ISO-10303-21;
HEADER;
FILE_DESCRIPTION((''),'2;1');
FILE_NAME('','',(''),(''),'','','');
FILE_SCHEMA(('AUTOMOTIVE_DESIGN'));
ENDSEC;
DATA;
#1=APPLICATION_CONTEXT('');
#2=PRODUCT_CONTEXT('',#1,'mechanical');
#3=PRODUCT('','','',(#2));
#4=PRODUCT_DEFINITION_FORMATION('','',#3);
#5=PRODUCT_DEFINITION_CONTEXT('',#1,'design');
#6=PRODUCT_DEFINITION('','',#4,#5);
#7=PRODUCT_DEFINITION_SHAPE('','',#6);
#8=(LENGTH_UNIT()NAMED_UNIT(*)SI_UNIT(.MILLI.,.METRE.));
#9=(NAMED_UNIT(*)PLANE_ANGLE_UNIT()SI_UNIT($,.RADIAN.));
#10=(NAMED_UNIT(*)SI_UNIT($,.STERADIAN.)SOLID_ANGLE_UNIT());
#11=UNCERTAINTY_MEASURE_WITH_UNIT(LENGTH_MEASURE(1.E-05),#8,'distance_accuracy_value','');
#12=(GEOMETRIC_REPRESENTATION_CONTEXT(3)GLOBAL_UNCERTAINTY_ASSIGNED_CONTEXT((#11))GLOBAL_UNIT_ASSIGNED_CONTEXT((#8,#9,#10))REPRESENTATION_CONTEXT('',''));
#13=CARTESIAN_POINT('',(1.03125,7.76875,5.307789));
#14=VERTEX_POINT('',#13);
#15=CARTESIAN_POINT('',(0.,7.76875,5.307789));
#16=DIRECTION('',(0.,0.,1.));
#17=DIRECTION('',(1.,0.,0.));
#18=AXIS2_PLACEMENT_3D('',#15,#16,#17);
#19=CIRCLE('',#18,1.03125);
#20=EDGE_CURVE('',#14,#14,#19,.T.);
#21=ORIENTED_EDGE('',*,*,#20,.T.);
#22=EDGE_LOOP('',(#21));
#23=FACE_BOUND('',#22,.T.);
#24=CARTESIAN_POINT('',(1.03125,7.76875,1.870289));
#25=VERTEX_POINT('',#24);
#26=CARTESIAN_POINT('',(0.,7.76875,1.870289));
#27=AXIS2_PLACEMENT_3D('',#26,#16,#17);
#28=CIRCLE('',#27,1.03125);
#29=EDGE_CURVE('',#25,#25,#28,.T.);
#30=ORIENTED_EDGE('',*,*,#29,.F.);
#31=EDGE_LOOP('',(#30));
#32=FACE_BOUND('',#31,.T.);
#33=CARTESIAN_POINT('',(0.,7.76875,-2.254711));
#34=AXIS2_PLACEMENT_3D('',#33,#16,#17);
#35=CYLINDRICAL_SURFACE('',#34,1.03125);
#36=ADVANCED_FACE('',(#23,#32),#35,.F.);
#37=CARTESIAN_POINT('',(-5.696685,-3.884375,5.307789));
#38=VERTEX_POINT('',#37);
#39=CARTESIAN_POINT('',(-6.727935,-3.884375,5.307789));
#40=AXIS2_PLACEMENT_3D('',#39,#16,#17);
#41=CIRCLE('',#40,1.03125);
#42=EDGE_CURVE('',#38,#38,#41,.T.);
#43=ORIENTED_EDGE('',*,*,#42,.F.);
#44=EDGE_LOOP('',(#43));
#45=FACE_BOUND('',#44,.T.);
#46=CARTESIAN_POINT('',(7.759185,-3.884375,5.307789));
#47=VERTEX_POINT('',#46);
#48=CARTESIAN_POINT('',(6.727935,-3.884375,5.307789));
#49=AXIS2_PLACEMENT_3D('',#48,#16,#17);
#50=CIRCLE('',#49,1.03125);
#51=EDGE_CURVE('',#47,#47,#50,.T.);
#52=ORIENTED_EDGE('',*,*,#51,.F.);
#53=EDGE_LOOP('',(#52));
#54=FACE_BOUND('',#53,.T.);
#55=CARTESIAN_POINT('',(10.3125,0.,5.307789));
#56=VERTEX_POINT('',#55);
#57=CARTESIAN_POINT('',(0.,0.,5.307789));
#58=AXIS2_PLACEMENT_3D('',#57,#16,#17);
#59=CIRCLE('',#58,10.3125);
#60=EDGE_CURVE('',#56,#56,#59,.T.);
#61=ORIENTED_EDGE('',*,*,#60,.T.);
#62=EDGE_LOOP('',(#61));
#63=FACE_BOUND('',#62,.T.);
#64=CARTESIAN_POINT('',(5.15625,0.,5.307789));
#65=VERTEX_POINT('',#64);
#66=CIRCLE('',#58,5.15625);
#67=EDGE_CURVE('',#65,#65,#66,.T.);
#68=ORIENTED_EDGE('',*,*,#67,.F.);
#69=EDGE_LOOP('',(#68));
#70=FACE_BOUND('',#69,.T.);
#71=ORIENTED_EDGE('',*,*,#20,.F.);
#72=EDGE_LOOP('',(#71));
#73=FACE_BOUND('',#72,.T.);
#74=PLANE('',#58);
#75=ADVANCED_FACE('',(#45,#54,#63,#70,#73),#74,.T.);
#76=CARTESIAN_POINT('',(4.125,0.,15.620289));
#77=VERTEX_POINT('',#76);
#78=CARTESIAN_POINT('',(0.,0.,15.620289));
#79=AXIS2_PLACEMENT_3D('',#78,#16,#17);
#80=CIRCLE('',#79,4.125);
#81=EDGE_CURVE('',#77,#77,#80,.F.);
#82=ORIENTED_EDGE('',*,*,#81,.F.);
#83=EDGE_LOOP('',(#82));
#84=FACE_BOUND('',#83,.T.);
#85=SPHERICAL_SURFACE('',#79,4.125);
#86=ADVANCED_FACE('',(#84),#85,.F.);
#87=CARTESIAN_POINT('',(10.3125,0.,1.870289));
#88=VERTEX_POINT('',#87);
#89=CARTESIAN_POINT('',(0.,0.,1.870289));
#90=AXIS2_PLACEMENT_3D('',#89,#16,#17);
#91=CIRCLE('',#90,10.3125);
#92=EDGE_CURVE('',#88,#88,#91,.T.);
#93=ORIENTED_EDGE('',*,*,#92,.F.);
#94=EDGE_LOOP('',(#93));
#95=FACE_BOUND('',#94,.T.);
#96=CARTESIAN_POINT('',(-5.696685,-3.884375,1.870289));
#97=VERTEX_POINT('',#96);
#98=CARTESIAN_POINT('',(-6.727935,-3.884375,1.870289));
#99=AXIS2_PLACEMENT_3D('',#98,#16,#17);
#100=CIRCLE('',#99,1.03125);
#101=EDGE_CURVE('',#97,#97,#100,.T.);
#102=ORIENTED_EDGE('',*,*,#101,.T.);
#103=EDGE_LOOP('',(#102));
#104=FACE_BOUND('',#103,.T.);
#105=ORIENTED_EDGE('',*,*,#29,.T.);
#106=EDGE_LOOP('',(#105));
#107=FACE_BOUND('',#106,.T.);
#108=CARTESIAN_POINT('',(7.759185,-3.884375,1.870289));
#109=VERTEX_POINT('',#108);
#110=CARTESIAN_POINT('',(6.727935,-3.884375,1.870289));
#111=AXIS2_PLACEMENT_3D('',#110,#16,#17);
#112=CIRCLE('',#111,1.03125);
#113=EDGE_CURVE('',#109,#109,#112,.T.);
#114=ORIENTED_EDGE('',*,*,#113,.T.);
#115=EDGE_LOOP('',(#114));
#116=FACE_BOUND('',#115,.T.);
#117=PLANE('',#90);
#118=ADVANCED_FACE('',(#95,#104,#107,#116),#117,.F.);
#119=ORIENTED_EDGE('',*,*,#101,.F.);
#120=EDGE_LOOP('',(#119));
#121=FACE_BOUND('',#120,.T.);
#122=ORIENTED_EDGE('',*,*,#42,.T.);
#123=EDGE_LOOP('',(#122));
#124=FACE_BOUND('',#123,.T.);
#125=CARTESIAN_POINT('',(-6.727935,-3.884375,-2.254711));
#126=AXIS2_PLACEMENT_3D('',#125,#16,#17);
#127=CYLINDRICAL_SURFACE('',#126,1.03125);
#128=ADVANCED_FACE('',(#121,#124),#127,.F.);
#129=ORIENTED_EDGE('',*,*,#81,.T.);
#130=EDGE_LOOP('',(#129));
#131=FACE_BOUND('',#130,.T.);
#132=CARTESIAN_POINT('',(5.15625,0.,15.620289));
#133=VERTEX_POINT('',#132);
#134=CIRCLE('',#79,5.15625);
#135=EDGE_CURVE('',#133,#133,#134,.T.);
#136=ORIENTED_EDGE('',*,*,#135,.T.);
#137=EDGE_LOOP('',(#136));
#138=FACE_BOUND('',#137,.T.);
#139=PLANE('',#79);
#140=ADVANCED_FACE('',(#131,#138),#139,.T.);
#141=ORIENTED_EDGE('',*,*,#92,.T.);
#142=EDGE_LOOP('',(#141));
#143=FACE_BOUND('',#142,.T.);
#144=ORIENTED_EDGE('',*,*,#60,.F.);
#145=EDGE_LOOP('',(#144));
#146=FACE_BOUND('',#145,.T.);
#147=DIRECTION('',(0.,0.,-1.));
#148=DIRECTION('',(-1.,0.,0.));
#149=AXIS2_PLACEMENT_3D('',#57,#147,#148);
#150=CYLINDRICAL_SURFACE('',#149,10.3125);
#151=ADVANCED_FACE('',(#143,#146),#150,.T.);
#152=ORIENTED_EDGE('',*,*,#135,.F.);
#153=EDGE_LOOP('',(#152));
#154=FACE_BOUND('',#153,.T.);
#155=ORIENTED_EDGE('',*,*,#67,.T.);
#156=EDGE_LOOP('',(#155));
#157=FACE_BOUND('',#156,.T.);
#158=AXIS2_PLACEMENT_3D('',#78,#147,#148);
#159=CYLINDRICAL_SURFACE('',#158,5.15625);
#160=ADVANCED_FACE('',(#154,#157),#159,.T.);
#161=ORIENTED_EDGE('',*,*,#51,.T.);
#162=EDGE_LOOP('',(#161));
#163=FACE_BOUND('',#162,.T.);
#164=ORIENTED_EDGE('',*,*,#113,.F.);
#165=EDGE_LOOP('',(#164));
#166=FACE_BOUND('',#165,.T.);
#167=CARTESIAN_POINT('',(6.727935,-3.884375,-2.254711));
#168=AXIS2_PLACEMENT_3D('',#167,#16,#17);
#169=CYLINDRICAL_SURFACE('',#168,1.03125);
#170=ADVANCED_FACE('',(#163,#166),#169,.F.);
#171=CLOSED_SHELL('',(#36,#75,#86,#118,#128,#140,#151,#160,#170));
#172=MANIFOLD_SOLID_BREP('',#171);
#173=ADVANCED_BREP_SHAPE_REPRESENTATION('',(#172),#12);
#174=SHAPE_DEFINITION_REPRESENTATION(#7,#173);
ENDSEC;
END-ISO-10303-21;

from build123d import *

# Parameters (mm, degrees)
SKETCH1_R           = 7.5
SKETCH1_R_2         = 6
BOSS_EXTRUDE1_DEPTH = 20
SKETCH1_4_R         = 6
BOSS_EXTRUDE2_DEPTH = 20
SKETCH1_5_R         = 15
SKETCH1_5_R_2       = 7.5
BOSS_EXTRUDE3_DEPTH = 5
SKETCH3_R           = 1.5
CUT_EXTRUDE1_DEPTH  = 11
SCALE1_SCALE        = 0.5
SCALE2_SCALE        = 1.25
SCALE3_SCALE        = 1.1


with BuildPart() as part:
    # Sketch1 → Boss-Extrude1 (new body)
    with BuildSketch(Plane.XY):
        Circle(SKETCH1_R)
        Circle(SKETCH1_R_2, mode=Mode.SUBTRACT)
    extrude(amount=BOSS_EXTRUDE1_DEPTH)

    # Sketch1<4> → Boss-Extrude2 (add)
    with BuildSketch(Plane.XY):
        Circle(SKETCH1_4_R)
    extrude(amount=BOSS_EXTRUDE2_DEPTH)

    # Sketch1<5> → Boss-Extrude3 (add)
    with BuildSketch(Plane.XY):
        Circle(SKETCH1_5_R)
        Circle(SKETCH1_5_R_2, mode=Mode.SUBTRACT)
    extrude(amount=BOSS_EXTRUDE3_DEPTH)

    # Sketch2 → Cut-Revolve1 (revolve, cut)
    with BuildSketch(Plane.XY.offset(20)):
        with BuildLine():
            Line((0, 6), (0, -6))
            ThreePointArc((0, -6), (6, 0), (0, 6))
        make_face()
    revolve(axis=Axis((0, 13.785304087, 20), (0, -1, 0)), mode=Mode.SUBTRACT)

    # Sketch3 → Cut-Extrude1 (cut)
    with BuildSketch(Plane.XY.offset(5)):
        with Locations((0, 11.3)):
            Circle(SKETCH3_R)
        with Locations((9.786087063, -5.65)):
            Circle(SKETCH3_R)
        with Locations((-9.786087063, -5.65)):
            Circle(SKETCH3_R)
    extrude(amount=-CUT_EXTRUDE1_DEPTH, mode=Mode.SUBTRACT)


with BuildPart() as part_1:
    # Scale1: scaled about (0, 0, 5.984924623)
    add(part.part.scale(SCALE1_SCALE).moved(Location((0, 0, 2.992462312))))


with BuildPart() as part_2:
    # Scale2: scaled about (0, 0, 5.984924623)
    add(part_1.part.scale(SCALE2_SCALE).moved(Location((0, 0, -1.496231156))))


with BuildPart() as part_3:
    # Scale3: scaled about (0, 0, 5.984924623)
    add(part_2.part.scale(SCALE3_SCALE).moved(Location((0, 0, -0.598492462))))


solid = part_3.part
